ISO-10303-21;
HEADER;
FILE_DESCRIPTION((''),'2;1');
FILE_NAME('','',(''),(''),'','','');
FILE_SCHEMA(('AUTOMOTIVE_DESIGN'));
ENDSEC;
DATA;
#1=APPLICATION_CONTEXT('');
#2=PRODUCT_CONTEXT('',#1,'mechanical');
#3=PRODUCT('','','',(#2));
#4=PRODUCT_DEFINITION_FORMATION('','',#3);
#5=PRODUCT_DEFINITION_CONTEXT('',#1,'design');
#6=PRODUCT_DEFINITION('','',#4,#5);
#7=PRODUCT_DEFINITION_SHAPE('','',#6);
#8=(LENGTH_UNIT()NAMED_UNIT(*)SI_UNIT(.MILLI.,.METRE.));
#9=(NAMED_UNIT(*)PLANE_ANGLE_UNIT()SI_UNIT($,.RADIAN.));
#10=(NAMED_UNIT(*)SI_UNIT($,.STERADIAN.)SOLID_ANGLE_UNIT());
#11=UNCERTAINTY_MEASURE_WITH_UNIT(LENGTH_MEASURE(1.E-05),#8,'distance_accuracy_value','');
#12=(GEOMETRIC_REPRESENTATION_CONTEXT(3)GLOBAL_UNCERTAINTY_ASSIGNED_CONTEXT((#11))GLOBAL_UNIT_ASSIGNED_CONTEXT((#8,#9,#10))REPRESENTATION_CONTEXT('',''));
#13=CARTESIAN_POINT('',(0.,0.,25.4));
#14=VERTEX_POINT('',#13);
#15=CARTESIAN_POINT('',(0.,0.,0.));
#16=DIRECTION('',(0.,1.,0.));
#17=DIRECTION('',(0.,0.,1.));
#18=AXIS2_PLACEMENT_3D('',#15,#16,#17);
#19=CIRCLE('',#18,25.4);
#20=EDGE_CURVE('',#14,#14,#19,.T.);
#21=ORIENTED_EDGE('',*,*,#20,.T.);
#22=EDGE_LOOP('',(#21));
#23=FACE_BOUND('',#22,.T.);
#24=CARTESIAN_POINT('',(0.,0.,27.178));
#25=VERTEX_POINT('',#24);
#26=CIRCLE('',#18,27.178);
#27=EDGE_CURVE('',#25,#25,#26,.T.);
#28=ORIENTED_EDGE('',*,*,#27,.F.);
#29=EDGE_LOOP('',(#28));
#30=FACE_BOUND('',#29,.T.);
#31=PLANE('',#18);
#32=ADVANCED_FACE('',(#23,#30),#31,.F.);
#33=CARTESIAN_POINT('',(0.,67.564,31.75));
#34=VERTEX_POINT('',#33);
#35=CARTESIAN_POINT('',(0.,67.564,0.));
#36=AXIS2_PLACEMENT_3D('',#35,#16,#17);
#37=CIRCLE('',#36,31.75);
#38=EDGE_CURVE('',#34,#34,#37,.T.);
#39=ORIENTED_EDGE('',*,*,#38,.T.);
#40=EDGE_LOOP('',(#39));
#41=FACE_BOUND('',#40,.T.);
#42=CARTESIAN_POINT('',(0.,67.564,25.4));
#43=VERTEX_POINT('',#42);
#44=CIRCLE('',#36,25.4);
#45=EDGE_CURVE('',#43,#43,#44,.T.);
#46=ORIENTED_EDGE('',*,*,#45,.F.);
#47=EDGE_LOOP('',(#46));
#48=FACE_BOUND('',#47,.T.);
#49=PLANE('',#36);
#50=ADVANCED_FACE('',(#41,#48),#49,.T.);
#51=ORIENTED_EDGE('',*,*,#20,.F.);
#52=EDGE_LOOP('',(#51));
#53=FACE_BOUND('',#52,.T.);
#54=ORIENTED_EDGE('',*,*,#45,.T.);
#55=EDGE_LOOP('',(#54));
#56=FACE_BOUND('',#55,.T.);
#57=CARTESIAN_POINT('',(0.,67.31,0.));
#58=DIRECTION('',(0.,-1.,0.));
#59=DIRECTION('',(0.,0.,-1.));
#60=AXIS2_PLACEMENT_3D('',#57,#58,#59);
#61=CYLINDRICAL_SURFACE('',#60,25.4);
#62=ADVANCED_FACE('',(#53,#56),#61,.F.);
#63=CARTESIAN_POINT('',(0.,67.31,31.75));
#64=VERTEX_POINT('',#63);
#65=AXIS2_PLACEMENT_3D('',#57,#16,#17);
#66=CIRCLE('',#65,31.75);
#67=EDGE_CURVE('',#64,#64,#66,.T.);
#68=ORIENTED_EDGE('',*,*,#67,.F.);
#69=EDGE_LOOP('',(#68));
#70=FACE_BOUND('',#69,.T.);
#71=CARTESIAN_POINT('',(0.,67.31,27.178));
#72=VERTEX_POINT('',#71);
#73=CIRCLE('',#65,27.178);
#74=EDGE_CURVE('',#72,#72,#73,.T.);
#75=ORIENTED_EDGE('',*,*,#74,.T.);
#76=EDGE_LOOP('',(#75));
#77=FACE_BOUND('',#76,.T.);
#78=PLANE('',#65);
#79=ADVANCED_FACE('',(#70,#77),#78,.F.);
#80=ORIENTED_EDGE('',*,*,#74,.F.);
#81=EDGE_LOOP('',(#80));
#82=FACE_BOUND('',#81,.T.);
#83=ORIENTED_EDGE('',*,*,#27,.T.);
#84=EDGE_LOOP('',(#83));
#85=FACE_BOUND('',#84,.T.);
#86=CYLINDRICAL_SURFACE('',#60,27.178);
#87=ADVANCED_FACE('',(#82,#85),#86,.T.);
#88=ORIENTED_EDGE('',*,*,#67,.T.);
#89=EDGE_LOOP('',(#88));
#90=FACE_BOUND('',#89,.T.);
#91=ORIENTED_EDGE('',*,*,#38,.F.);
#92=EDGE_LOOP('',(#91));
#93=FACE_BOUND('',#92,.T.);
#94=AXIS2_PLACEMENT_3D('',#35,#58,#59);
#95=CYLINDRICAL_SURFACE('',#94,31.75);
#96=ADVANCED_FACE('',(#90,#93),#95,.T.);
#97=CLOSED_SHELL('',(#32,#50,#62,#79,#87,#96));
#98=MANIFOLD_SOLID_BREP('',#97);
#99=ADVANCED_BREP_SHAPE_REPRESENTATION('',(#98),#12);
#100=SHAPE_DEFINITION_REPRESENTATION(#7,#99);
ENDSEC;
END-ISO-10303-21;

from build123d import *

# Parameters (mm, degrees)
SKETCH1_R           = 27.178
SKETCH1_R_2         = 25.4
BOSS_EXTRUDE1_DEPTH = 67.31
SKETCH2_R           = 31.75
SKETCH2_R_2         = 25.4
BOSS_EXTRUDE2_DEPTH = 0.254


with BuildPart() as part:
    # Sketch1 → Boss-Extrude1 (new body)
    with BuildSketch(Plane(origin=(0, 0, 0), x_dir=(1, 0, 0), z_dir=(0, 1, 0))):
        with Locations(Location((0, 0, 0), (0, 0, 270))):
            Circle(SKETCH1_R)
        with Locations(Location((0, 0, 0), (0, 0, 270))):
            Circle(SKETCH1_R_2, mode=Mode.SUBTRACT)
    extrude(amount=BOSS_EXTRUDE1_DEPTH)

    # Sketch2 → Boss-Extrude2 (add)
    with BuildSketch(Plane(origin=(0, 67.31, 0), x_dir=(1, 0, 0), z_dir=(0, 1, 0))):
        with Locations(Location((0, 0, 0), (0, 0, 270))):
            Circle(SKETCH2_R)
        with Locations(Location((0, 0, 0), (0, 0, 270))):
            Circle(SKETCH2_R_2, mode=Mode.SUBTRACT)
    extrude(amount=BOSS_EXTRUDE2_DEPTH)


solid = part.part
